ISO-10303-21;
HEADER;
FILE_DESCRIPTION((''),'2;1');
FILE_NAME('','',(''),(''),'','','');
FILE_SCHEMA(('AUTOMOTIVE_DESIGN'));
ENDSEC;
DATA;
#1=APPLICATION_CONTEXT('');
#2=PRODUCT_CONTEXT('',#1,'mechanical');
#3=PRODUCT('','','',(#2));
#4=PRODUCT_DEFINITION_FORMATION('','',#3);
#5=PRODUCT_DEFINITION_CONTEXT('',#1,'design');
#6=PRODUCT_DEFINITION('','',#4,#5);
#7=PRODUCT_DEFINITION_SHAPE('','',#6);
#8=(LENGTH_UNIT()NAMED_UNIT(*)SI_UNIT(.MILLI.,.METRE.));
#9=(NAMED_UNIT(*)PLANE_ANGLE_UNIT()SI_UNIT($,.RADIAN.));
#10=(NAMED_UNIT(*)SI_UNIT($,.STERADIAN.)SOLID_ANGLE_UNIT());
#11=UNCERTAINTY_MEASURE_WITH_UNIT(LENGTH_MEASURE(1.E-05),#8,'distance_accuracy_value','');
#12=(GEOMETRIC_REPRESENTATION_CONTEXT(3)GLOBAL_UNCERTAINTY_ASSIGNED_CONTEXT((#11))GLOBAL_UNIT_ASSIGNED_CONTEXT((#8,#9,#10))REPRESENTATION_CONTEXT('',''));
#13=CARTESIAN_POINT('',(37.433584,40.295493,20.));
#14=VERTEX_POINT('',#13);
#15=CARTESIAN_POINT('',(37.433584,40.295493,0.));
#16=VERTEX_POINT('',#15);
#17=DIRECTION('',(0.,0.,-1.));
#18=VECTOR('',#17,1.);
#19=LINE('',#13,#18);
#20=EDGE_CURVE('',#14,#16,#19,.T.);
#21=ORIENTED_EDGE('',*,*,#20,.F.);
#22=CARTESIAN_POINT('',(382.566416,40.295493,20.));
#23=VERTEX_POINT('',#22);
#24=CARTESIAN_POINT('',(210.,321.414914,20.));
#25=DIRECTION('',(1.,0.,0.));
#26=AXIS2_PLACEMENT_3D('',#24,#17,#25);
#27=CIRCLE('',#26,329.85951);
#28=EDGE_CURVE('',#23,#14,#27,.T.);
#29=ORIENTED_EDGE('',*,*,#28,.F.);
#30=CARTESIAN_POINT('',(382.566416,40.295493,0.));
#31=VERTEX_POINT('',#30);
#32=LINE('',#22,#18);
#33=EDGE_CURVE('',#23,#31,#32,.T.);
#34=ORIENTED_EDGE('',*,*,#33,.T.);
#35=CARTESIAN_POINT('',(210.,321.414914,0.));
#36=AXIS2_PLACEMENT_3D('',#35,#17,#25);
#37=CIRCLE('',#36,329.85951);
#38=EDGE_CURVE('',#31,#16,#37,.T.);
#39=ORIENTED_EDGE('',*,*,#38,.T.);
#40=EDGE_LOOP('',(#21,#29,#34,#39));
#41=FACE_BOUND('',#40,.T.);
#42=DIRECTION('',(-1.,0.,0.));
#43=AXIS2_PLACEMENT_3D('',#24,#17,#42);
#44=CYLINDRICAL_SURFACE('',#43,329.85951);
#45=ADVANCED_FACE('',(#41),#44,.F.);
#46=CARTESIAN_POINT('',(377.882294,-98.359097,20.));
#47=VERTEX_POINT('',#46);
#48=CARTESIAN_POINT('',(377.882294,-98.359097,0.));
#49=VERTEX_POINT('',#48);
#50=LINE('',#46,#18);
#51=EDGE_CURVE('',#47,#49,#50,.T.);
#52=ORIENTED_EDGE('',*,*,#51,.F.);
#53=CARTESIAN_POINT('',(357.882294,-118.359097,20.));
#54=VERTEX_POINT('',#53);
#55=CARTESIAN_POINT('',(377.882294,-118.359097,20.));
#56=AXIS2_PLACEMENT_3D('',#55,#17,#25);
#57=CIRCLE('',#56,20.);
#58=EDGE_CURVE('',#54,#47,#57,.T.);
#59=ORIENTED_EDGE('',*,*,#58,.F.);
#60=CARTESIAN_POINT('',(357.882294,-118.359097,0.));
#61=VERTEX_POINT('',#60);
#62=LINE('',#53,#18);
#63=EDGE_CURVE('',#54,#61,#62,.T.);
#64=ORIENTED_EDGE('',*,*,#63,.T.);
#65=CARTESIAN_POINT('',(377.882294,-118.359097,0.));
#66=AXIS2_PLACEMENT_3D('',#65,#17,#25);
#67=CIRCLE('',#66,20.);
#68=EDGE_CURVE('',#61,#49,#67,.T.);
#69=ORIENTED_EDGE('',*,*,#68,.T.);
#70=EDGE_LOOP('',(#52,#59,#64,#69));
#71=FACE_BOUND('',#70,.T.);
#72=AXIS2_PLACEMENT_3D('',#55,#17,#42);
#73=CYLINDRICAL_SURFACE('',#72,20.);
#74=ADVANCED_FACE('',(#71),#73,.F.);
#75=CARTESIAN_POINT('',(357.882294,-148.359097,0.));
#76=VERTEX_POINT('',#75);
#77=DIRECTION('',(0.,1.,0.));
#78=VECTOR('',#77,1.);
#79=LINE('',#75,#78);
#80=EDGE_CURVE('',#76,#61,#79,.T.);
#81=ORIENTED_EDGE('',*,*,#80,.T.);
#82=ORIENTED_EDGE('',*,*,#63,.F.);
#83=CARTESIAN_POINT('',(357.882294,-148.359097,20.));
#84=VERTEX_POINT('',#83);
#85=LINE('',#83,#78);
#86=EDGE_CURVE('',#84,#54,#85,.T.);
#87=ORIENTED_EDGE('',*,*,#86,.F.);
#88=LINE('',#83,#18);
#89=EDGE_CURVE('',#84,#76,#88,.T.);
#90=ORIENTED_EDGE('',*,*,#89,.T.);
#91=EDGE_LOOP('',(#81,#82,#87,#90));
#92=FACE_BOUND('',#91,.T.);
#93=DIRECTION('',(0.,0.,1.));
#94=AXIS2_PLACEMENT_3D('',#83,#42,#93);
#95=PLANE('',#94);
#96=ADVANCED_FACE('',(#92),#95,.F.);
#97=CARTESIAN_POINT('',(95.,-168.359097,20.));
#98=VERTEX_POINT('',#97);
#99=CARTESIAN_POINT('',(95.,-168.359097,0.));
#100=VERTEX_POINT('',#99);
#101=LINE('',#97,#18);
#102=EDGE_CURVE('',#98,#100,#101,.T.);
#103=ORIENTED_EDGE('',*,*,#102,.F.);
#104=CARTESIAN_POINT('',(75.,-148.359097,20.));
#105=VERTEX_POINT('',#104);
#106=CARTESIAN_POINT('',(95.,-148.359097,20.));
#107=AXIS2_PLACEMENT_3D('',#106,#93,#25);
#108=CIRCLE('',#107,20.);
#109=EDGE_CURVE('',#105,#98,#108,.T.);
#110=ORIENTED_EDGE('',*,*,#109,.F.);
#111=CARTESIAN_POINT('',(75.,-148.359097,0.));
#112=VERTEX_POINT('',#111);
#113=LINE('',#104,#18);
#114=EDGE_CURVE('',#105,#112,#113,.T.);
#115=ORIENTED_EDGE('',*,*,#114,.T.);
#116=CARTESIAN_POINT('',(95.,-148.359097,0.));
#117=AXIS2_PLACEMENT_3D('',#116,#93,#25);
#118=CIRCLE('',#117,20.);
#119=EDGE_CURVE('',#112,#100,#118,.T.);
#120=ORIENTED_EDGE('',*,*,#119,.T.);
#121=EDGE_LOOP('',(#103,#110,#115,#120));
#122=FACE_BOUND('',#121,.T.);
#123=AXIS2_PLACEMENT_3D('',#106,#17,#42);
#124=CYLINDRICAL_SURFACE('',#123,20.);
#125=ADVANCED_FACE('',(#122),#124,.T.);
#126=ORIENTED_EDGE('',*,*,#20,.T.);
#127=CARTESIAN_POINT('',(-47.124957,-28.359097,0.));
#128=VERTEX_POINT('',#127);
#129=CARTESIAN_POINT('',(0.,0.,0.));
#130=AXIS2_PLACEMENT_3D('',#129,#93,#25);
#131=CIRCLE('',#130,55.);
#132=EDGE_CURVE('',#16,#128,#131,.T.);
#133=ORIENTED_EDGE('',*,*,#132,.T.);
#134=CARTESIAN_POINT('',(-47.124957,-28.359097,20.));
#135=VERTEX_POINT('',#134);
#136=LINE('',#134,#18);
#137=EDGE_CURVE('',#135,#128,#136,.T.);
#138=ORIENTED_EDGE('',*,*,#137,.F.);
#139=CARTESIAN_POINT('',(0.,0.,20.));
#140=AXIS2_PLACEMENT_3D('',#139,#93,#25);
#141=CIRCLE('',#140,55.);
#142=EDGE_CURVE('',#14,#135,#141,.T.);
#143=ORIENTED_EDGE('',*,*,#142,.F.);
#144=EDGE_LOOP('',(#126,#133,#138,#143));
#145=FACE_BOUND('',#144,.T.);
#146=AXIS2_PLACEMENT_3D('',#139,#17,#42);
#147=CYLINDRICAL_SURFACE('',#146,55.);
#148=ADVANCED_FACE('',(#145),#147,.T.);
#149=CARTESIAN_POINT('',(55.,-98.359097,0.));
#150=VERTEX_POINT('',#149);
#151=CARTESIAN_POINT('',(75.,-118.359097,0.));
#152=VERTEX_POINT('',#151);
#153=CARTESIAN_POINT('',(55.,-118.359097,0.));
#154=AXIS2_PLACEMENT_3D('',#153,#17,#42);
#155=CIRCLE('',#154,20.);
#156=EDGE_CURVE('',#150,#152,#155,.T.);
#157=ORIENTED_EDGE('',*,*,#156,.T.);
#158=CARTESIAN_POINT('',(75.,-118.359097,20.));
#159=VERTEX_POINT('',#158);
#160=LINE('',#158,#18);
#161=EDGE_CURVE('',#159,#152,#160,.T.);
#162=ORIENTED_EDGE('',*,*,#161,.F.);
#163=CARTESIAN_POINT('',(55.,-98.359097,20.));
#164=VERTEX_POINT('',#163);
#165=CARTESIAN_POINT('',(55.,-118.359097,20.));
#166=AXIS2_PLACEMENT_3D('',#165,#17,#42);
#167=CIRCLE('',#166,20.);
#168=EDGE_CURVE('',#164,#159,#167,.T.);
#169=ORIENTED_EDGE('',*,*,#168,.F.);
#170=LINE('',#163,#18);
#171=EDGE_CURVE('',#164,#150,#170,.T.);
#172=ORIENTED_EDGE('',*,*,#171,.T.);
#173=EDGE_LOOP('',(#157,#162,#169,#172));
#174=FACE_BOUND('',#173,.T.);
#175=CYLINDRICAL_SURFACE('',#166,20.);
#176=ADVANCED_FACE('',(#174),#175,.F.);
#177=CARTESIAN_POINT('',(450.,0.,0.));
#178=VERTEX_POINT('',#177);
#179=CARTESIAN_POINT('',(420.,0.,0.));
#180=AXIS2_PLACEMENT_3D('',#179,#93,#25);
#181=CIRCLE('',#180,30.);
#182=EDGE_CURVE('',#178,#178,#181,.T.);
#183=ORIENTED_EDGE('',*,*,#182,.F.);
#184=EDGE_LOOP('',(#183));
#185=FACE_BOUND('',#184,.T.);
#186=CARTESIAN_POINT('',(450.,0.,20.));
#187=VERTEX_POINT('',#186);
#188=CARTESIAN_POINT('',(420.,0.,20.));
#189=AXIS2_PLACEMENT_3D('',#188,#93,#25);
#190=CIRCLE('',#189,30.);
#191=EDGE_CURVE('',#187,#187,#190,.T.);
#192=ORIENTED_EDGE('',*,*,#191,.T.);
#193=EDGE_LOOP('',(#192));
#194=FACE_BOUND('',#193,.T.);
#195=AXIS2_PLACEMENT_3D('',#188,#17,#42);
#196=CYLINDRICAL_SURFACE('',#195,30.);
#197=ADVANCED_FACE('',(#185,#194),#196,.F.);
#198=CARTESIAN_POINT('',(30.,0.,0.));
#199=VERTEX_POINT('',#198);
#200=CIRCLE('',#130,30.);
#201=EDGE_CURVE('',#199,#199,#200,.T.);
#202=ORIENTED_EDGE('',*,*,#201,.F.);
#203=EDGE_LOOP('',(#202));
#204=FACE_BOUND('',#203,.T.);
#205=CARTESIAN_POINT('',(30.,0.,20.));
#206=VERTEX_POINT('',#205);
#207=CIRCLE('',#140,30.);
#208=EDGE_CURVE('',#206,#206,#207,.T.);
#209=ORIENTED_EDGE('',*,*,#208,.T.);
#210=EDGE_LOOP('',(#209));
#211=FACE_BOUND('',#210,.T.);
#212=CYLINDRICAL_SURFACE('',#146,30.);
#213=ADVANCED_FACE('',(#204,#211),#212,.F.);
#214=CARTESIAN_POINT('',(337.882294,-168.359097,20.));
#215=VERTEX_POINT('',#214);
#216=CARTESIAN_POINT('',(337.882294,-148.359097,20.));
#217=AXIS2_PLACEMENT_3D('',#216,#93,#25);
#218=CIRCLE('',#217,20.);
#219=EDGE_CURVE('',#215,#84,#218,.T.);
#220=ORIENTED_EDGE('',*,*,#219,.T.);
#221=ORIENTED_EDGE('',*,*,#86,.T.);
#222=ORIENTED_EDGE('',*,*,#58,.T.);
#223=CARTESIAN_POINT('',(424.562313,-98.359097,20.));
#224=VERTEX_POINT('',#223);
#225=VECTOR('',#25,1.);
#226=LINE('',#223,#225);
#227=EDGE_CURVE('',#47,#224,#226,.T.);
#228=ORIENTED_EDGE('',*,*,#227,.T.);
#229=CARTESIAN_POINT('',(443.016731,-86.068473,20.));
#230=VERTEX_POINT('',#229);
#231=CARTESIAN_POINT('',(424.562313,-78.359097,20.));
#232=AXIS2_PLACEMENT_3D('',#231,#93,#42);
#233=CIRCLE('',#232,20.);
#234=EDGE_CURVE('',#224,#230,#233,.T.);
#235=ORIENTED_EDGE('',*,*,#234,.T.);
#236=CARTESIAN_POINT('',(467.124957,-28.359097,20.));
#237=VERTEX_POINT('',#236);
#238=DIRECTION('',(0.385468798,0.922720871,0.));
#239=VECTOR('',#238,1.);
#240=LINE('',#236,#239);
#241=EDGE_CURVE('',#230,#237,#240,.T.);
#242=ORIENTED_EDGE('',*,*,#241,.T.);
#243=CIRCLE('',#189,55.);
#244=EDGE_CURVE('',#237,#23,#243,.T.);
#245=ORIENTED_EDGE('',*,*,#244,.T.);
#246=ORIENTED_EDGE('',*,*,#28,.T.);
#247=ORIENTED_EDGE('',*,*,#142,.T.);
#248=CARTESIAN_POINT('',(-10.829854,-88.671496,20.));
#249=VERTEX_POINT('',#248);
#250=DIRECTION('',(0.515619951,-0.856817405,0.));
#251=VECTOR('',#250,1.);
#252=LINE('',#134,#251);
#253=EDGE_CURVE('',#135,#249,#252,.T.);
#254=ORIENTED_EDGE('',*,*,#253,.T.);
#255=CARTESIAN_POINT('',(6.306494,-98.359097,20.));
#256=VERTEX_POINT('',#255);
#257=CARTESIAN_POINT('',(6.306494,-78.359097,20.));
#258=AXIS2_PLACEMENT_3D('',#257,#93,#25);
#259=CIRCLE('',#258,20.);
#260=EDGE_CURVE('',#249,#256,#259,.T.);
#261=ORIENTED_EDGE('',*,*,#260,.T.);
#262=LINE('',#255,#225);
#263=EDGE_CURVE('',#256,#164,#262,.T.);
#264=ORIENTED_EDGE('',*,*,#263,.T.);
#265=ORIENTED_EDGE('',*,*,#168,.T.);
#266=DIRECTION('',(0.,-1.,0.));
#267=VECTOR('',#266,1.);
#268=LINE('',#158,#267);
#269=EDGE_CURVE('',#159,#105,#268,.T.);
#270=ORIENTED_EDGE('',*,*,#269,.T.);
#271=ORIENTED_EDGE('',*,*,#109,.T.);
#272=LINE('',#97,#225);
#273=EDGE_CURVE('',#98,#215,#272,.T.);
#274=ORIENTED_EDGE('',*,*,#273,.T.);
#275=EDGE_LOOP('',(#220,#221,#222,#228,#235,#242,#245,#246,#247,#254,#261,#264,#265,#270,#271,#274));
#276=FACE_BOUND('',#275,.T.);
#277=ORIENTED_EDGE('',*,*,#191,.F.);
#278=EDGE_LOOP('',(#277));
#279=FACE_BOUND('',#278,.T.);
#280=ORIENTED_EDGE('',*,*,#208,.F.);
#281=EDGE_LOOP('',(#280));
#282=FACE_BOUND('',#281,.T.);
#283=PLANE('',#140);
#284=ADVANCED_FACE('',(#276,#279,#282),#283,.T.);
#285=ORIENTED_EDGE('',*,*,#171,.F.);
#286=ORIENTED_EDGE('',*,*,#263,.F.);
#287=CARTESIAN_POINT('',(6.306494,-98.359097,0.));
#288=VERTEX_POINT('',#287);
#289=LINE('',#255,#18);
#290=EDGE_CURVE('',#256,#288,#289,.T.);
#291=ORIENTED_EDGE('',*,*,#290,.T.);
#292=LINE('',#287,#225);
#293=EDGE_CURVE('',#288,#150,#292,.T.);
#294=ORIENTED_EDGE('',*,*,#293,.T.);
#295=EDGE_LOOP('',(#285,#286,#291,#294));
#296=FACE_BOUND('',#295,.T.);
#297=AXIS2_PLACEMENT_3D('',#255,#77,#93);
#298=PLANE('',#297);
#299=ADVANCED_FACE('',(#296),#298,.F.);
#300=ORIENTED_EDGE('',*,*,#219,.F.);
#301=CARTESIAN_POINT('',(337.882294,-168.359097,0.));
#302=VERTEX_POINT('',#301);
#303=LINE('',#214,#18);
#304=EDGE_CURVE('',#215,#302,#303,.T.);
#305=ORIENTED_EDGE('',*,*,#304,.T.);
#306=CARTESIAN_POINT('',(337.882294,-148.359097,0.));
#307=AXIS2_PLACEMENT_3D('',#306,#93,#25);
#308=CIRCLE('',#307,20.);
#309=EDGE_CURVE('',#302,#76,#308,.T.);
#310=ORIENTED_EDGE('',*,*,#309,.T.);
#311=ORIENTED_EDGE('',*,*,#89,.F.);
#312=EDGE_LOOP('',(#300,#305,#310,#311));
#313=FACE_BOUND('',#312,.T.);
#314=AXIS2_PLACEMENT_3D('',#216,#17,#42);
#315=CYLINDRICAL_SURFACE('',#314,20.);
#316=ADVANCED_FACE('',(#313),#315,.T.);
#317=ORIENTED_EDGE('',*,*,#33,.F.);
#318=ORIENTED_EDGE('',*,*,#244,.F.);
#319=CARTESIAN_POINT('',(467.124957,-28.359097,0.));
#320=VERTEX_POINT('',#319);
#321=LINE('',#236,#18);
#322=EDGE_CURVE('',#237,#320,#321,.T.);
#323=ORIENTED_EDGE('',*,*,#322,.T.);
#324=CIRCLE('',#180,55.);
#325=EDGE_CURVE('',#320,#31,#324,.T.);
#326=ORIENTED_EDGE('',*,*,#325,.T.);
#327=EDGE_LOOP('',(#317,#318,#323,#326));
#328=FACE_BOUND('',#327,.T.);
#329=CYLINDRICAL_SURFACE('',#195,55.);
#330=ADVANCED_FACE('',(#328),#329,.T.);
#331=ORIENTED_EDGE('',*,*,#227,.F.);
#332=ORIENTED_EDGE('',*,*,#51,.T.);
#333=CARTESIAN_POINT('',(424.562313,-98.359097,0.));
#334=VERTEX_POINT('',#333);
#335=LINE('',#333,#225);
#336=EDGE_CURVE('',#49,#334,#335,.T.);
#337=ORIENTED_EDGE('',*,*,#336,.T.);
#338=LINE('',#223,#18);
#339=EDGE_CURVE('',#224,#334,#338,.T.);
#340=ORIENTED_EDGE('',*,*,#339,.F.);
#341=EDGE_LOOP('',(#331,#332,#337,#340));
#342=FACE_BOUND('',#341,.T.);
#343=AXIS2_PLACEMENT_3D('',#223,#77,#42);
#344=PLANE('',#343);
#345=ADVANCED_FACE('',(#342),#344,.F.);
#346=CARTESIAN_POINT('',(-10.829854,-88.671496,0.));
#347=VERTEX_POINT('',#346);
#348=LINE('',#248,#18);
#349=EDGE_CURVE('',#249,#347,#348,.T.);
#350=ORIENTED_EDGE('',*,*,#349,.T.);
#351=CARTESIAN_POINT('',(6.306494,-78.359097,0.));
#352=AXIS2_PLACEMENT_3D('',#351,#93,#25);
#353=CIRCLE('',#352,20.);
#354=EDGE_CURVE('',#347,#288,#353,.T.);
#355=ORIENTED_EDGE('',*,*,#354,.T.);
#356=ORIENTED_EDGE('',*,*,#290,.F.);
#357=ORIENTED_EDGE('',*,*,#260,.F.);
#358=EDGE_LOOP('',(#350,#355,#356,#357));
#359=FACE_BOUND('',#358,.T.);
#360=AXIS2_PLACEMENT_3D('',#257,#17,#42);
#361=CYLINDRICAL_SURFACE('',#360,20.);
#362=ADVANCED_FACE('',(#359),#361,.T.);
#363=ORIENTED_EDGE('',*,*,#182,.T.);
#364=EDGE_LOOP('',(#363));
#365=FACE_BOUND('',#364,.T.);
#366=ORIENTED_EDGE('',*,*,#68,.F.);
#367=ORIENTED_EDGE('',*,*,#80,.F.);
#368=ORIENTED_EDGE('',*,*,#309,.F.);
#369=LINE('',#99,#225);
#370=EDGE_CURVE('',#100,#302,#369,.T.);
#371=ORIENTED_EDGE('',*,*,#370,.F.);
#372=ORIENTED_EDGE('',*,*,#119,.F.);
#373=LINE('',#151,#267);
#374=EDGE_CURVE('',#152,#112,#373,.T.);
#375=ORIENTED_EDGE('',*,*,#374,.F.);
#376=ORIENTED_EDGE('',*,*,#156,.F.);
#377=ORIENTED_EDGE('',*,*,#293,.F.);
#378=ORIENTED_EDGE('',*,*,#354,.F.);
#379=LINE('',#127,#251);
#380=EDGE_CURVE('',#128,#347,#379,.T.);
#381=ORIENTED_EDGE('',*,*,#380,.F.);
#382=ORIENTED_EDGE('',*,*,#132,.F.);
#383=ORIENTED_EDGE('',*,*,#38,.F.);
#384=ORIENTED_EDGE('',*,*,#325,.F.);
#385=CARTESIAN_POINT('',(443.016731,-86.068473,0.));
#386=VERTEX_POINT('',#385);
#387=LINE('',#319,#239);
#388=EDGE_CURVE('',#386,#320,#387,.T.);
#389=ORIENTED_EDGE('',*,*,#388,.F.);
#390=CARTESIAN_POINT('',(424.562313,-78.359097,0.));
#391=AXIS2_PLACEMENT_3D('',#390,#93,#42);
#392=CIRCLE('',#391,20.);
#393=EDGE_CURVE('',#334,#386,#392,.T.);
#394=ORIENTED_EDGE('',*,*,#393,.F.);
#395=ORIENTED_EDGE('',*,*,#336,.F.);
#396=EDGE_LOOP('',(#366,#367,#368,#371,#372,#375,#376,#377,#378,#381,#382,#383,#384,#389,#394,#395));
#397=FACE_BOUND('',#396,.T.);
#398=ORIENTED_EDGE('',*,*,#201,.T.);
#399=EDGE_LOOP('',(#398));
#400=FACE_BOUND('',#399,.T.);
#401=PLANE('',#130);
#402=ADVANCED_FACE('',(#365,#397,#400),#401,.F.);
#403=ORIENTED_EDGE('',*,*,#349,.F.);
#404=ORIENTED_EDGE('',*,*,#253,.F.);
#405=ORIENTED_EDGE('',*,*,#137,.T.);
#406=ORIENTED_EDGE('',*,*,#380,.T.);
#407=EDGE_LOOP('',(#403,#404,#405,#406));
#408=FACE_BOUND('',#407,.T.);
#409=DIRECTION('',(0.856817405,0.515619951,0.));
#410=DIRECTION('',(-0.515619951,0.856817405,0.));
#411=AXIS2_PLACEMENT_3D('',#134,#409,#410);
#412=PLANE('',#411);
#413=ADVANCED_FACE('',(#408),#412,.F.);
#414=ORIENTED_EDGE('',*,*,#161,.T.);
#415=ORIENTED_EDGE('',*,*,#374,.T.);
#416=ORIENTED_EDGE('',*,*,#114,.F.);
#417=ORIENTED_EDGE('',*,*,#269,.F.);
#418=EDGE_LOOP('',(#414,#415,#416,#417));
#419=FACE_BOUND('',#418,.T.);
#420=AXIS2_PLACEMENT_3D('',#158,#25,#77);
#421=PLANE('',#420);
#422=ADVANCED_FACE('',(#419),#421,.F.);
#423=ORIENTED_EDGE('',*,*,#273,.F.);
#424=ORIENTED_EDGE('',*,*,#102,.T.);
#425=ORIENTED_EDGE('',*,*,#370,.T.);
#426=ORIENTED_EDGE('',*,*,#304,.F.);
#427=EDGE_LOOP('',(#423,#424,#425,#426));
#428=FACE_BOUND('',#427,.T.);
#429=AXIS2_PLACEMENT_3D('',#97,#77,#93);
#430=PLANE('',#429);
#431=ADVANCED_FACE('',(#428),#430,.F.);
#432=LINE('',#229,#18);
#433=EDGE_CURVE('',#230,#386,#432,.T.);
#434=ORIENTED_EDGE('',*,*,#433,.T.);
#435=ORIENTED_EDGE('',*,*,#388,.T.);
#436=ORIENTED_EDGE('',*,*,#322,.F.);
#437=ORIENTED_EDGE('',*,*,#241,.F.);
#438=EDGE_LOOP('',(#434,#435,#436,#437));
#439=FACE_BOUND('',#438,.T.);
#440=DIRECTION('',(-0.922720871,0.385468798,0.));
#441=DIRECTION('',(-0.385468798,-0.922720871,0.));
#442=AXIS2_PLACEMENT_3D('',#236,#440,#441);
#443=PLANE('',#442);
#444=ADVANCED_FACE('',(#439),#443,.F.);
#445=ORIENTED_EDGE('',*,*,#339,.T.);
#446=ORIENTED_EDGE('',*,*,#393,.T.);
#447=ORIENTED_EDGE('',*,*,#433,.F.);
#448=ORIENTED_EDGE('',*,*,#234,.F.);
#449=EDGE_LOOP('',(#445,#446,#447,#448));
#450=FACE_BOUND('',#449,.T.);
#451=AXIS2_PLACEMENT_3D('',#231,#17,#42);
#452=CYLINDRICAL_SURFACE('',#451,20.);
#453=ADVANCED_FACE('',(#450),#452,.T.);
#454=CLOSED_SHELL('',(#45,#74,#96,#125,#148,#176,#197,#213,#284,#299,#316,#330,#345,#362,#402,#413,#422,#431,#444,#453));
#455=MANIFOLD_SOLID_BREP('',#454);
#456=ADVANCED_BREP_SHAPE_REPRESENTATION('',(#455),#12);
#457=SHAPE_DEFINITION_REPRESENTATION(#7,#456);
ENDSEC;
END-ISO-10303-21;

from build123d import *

# Parameters (mm, degrees)
IZIM1_R                     = 30
Y_KSEKLIK_EKSTR_ZYON1_DEPTH = 20


with BuildPart() as part:
    # Çizim1 → Yükseklik-Ekstrüzyon1 (new body)
    with BuildSketch(Plane.XY):
        with BuildLine():
            Line((-47.124957284, -28.359097323), (-10.82985396, -88.671496349))
            ThreePointArc((-10.82985396, -88.671496349), (-3.536066994, -95.769553672), (6.306494143, -98.359097323))
            Line((6.306494143, -98.359097323), (55, -98.359097323))
            ThreePointArc((55, -98.359097323), (69.142135624, -104.216961699), (75, -118.359097323))
            Line((75, -118.359097323), (75, -148.359097323))
            ThreePointArc((75, -148.359097323), (80.857864376, -162.501232947), (95, -168.359097323))
            Line((95, -168.359097323), (337.882293863, -168.359097323))
            ThreePointArc((337.882293863, -168.359097323), (352.024429487, -162.501232947), (357.882293863, -148.359097323))
            Line((357.882293863, -148.359097323), (357.882293863, -118.359097323))
            ThreePointArc((357.882293863, -118.359097323), (363.740158239, -104.216961699), (377.882293863, -98.359097323))
            Line((377.882293863, -98.359097323), (424.56231333, -98.359097323))
            ThreePointArc((424.56231333, -98.359097323), (435.648622021, -95.005230796), (443.016730749, -86.068473283))
            Line((443.016730749, -86.068473283), (467.124957284, -28.359097323))
            ThreePointArc((467.124957284, -28.359097323), (454.66761994, 42.69843238), (382.566415624, 40.295493058))
            ThreePointArc((382.566415624, 40.295493058), (210, -8.444596477), (37.433584376, 40.295493058))
            ThreePointArc((37.433584376, 40.295493058), (-34.66761994, 42.69843238), (-47.124957284, -28.359097323))
        make_face()
        Circle(IZIM1_R, mode=Mode.SUBTRACT)
        with Locations((420, 0)):
            Circle(IZIM1_R, mode=Mode.SUBTRACT)
    extrude(amount=Y_KSEKLIK_EKSTR_ZYON1_DEPTH)


solid = part.part
